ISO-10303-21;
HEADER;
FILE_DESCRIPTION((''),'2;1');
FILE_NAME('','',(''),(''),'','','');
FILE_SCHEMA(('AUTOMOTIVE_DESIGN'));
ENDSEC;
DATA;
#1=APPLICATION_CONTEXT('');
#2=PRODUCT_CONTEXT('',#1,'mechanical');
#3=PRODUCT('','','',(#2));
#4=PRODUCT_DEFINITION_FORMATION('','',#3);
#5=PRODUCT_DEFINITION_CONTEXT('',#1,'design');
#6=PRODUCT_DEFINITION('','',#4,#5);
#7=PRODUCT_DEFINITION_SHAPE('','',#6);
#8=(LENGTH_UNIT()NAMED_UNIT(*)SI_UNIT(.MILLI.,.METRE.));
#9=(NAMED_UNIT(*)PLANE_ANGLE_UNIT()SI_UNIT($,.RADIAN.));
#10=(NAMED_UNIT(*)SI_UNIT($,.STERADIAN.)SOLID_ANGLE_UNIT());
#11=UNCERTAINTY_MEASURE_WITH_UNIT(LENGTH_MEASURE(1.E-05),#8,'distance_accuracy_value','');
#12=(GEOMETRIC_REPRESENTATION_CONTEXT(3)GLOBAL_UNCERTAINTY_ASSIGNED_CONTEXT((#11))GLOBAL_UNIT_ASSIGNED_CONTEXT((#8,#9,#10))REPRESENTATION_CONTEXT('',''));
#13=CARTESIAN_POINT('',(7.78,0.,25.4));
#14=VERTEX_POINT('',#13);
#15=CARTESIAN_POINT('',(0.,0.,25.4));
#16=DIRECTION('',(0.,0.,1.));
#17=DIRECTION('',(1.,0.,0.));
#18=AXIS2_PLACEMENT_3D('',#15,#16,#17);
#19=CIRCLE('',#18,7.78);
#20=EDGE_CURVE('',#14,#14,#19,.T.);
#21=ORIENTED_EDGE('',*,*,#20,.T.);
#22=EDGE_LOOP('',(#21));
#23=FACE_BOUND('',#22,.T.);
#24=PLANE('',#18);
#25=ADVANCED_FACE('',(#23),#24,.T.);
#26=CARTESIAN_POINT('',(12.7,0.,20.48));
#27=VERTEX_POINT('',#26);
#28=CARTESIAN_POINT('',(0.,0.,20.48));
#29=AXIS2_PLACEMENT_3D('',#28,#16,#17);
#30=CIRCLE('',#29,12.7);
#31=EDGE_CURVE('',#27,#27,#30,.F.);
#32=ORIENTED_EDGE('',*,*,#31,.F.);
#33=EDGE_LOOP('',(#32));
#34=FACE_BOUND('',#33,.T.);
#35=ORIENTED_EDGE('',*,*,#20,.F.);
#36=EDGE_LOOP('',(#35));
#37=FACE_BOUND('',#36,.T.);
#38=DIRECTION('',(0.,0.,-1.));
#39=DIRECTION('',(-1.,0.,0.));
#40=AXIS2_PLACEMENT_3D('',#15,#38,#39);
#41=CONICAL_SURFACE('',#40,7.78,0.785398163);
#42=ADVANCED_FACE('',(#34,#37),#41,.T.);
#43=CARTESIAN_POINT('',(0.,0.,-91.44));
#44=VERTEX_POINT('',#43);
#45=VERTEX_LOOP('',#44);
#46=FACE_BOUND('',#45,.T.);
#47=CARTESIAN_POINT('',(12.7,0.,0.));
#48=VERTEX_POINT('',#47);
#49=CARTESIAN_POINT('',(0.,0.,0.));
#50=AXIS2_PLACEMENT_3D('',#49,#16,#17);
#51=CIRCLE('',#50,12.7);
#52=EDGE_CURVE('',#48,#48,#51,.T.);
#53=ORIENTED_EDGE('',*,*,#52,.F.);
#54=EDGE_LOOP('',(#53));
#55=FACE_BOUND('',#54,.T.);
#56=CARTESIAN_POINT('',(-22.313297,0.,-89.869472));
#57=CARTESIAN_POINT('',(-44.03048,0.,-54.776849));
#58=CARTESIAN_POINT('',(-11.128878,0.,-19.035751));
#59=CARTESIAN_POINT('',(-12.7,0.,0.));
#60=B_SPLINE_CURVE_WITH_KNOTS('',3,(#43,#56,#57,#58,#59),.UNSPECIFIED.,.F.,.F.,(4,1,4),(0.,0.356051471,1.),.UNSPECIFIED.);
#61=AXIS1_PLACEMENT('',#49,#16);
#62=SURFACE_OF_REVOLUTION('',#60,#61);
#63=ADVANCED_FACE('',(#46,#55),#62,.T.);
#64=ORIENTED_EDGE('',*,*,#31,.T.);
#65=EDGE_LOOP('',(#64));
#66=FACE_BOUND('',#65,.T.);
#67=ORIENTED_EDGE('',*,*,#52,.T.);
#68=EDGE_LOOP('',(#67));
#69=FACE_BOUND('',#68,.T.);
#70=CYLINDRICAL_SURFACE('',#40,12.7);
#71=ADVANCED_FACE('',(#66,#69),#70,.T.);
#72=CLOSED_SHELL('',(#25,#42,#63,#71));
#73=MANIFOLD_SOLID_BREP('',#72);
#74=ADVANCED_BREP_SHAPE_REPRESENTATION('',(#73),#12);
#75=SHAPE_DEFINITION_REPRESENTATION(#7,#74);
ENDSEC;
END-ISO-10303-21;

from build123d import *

# Parameters (mm, degrees)
SKETCH1_R           = 12.7
BOSS_EXTRUDE1_DEPTH = 25.4
CHAMFER1_SIZE       = 4.92


with BuildPart() as part:
    # Sketch1 → Boss-Extrude1 (new body)
    with BuildSketch(Plane.XY):
        Circle(SKETCH1_R)
    extrude(amount=BOSS_EXTRUDE1_DEPTH)

    # Sketch2 → Revolve1 (revolve)
    with BuildSketch(Plane(origin=(0, 0, 0), x_dir=(1, 0, 0), z_dir=(0, 1, 0))):
        with BuildLine():
            Line((0, 0), (0, 91.44))
            add(Edge.make_bspline(
                [(0, 91.44), (-22.313297432, 89.869472139), (-44.030480488, 54.776848914), (-11.128878032, 19.035751287), (-12.7, 0)],
                knots=[0, 0, 0, 0, 0.356051471, 1, 1, 1, 1], degree=3))
            Line((-12.7, 0), (0, 0))
        make_face()
    revolve(axis=Axis((0, 0, 0), (0, 0, -1)))

    # Chamfer1
    chamfer1_edges = [part.edges().sort_by_distance(p)[0] for p in [
        (-12.7, 0, 25.4),
    ]]
    chamfer(chamfer1_edges, length=CHAMFER1_SIZE)


solid = part.part
